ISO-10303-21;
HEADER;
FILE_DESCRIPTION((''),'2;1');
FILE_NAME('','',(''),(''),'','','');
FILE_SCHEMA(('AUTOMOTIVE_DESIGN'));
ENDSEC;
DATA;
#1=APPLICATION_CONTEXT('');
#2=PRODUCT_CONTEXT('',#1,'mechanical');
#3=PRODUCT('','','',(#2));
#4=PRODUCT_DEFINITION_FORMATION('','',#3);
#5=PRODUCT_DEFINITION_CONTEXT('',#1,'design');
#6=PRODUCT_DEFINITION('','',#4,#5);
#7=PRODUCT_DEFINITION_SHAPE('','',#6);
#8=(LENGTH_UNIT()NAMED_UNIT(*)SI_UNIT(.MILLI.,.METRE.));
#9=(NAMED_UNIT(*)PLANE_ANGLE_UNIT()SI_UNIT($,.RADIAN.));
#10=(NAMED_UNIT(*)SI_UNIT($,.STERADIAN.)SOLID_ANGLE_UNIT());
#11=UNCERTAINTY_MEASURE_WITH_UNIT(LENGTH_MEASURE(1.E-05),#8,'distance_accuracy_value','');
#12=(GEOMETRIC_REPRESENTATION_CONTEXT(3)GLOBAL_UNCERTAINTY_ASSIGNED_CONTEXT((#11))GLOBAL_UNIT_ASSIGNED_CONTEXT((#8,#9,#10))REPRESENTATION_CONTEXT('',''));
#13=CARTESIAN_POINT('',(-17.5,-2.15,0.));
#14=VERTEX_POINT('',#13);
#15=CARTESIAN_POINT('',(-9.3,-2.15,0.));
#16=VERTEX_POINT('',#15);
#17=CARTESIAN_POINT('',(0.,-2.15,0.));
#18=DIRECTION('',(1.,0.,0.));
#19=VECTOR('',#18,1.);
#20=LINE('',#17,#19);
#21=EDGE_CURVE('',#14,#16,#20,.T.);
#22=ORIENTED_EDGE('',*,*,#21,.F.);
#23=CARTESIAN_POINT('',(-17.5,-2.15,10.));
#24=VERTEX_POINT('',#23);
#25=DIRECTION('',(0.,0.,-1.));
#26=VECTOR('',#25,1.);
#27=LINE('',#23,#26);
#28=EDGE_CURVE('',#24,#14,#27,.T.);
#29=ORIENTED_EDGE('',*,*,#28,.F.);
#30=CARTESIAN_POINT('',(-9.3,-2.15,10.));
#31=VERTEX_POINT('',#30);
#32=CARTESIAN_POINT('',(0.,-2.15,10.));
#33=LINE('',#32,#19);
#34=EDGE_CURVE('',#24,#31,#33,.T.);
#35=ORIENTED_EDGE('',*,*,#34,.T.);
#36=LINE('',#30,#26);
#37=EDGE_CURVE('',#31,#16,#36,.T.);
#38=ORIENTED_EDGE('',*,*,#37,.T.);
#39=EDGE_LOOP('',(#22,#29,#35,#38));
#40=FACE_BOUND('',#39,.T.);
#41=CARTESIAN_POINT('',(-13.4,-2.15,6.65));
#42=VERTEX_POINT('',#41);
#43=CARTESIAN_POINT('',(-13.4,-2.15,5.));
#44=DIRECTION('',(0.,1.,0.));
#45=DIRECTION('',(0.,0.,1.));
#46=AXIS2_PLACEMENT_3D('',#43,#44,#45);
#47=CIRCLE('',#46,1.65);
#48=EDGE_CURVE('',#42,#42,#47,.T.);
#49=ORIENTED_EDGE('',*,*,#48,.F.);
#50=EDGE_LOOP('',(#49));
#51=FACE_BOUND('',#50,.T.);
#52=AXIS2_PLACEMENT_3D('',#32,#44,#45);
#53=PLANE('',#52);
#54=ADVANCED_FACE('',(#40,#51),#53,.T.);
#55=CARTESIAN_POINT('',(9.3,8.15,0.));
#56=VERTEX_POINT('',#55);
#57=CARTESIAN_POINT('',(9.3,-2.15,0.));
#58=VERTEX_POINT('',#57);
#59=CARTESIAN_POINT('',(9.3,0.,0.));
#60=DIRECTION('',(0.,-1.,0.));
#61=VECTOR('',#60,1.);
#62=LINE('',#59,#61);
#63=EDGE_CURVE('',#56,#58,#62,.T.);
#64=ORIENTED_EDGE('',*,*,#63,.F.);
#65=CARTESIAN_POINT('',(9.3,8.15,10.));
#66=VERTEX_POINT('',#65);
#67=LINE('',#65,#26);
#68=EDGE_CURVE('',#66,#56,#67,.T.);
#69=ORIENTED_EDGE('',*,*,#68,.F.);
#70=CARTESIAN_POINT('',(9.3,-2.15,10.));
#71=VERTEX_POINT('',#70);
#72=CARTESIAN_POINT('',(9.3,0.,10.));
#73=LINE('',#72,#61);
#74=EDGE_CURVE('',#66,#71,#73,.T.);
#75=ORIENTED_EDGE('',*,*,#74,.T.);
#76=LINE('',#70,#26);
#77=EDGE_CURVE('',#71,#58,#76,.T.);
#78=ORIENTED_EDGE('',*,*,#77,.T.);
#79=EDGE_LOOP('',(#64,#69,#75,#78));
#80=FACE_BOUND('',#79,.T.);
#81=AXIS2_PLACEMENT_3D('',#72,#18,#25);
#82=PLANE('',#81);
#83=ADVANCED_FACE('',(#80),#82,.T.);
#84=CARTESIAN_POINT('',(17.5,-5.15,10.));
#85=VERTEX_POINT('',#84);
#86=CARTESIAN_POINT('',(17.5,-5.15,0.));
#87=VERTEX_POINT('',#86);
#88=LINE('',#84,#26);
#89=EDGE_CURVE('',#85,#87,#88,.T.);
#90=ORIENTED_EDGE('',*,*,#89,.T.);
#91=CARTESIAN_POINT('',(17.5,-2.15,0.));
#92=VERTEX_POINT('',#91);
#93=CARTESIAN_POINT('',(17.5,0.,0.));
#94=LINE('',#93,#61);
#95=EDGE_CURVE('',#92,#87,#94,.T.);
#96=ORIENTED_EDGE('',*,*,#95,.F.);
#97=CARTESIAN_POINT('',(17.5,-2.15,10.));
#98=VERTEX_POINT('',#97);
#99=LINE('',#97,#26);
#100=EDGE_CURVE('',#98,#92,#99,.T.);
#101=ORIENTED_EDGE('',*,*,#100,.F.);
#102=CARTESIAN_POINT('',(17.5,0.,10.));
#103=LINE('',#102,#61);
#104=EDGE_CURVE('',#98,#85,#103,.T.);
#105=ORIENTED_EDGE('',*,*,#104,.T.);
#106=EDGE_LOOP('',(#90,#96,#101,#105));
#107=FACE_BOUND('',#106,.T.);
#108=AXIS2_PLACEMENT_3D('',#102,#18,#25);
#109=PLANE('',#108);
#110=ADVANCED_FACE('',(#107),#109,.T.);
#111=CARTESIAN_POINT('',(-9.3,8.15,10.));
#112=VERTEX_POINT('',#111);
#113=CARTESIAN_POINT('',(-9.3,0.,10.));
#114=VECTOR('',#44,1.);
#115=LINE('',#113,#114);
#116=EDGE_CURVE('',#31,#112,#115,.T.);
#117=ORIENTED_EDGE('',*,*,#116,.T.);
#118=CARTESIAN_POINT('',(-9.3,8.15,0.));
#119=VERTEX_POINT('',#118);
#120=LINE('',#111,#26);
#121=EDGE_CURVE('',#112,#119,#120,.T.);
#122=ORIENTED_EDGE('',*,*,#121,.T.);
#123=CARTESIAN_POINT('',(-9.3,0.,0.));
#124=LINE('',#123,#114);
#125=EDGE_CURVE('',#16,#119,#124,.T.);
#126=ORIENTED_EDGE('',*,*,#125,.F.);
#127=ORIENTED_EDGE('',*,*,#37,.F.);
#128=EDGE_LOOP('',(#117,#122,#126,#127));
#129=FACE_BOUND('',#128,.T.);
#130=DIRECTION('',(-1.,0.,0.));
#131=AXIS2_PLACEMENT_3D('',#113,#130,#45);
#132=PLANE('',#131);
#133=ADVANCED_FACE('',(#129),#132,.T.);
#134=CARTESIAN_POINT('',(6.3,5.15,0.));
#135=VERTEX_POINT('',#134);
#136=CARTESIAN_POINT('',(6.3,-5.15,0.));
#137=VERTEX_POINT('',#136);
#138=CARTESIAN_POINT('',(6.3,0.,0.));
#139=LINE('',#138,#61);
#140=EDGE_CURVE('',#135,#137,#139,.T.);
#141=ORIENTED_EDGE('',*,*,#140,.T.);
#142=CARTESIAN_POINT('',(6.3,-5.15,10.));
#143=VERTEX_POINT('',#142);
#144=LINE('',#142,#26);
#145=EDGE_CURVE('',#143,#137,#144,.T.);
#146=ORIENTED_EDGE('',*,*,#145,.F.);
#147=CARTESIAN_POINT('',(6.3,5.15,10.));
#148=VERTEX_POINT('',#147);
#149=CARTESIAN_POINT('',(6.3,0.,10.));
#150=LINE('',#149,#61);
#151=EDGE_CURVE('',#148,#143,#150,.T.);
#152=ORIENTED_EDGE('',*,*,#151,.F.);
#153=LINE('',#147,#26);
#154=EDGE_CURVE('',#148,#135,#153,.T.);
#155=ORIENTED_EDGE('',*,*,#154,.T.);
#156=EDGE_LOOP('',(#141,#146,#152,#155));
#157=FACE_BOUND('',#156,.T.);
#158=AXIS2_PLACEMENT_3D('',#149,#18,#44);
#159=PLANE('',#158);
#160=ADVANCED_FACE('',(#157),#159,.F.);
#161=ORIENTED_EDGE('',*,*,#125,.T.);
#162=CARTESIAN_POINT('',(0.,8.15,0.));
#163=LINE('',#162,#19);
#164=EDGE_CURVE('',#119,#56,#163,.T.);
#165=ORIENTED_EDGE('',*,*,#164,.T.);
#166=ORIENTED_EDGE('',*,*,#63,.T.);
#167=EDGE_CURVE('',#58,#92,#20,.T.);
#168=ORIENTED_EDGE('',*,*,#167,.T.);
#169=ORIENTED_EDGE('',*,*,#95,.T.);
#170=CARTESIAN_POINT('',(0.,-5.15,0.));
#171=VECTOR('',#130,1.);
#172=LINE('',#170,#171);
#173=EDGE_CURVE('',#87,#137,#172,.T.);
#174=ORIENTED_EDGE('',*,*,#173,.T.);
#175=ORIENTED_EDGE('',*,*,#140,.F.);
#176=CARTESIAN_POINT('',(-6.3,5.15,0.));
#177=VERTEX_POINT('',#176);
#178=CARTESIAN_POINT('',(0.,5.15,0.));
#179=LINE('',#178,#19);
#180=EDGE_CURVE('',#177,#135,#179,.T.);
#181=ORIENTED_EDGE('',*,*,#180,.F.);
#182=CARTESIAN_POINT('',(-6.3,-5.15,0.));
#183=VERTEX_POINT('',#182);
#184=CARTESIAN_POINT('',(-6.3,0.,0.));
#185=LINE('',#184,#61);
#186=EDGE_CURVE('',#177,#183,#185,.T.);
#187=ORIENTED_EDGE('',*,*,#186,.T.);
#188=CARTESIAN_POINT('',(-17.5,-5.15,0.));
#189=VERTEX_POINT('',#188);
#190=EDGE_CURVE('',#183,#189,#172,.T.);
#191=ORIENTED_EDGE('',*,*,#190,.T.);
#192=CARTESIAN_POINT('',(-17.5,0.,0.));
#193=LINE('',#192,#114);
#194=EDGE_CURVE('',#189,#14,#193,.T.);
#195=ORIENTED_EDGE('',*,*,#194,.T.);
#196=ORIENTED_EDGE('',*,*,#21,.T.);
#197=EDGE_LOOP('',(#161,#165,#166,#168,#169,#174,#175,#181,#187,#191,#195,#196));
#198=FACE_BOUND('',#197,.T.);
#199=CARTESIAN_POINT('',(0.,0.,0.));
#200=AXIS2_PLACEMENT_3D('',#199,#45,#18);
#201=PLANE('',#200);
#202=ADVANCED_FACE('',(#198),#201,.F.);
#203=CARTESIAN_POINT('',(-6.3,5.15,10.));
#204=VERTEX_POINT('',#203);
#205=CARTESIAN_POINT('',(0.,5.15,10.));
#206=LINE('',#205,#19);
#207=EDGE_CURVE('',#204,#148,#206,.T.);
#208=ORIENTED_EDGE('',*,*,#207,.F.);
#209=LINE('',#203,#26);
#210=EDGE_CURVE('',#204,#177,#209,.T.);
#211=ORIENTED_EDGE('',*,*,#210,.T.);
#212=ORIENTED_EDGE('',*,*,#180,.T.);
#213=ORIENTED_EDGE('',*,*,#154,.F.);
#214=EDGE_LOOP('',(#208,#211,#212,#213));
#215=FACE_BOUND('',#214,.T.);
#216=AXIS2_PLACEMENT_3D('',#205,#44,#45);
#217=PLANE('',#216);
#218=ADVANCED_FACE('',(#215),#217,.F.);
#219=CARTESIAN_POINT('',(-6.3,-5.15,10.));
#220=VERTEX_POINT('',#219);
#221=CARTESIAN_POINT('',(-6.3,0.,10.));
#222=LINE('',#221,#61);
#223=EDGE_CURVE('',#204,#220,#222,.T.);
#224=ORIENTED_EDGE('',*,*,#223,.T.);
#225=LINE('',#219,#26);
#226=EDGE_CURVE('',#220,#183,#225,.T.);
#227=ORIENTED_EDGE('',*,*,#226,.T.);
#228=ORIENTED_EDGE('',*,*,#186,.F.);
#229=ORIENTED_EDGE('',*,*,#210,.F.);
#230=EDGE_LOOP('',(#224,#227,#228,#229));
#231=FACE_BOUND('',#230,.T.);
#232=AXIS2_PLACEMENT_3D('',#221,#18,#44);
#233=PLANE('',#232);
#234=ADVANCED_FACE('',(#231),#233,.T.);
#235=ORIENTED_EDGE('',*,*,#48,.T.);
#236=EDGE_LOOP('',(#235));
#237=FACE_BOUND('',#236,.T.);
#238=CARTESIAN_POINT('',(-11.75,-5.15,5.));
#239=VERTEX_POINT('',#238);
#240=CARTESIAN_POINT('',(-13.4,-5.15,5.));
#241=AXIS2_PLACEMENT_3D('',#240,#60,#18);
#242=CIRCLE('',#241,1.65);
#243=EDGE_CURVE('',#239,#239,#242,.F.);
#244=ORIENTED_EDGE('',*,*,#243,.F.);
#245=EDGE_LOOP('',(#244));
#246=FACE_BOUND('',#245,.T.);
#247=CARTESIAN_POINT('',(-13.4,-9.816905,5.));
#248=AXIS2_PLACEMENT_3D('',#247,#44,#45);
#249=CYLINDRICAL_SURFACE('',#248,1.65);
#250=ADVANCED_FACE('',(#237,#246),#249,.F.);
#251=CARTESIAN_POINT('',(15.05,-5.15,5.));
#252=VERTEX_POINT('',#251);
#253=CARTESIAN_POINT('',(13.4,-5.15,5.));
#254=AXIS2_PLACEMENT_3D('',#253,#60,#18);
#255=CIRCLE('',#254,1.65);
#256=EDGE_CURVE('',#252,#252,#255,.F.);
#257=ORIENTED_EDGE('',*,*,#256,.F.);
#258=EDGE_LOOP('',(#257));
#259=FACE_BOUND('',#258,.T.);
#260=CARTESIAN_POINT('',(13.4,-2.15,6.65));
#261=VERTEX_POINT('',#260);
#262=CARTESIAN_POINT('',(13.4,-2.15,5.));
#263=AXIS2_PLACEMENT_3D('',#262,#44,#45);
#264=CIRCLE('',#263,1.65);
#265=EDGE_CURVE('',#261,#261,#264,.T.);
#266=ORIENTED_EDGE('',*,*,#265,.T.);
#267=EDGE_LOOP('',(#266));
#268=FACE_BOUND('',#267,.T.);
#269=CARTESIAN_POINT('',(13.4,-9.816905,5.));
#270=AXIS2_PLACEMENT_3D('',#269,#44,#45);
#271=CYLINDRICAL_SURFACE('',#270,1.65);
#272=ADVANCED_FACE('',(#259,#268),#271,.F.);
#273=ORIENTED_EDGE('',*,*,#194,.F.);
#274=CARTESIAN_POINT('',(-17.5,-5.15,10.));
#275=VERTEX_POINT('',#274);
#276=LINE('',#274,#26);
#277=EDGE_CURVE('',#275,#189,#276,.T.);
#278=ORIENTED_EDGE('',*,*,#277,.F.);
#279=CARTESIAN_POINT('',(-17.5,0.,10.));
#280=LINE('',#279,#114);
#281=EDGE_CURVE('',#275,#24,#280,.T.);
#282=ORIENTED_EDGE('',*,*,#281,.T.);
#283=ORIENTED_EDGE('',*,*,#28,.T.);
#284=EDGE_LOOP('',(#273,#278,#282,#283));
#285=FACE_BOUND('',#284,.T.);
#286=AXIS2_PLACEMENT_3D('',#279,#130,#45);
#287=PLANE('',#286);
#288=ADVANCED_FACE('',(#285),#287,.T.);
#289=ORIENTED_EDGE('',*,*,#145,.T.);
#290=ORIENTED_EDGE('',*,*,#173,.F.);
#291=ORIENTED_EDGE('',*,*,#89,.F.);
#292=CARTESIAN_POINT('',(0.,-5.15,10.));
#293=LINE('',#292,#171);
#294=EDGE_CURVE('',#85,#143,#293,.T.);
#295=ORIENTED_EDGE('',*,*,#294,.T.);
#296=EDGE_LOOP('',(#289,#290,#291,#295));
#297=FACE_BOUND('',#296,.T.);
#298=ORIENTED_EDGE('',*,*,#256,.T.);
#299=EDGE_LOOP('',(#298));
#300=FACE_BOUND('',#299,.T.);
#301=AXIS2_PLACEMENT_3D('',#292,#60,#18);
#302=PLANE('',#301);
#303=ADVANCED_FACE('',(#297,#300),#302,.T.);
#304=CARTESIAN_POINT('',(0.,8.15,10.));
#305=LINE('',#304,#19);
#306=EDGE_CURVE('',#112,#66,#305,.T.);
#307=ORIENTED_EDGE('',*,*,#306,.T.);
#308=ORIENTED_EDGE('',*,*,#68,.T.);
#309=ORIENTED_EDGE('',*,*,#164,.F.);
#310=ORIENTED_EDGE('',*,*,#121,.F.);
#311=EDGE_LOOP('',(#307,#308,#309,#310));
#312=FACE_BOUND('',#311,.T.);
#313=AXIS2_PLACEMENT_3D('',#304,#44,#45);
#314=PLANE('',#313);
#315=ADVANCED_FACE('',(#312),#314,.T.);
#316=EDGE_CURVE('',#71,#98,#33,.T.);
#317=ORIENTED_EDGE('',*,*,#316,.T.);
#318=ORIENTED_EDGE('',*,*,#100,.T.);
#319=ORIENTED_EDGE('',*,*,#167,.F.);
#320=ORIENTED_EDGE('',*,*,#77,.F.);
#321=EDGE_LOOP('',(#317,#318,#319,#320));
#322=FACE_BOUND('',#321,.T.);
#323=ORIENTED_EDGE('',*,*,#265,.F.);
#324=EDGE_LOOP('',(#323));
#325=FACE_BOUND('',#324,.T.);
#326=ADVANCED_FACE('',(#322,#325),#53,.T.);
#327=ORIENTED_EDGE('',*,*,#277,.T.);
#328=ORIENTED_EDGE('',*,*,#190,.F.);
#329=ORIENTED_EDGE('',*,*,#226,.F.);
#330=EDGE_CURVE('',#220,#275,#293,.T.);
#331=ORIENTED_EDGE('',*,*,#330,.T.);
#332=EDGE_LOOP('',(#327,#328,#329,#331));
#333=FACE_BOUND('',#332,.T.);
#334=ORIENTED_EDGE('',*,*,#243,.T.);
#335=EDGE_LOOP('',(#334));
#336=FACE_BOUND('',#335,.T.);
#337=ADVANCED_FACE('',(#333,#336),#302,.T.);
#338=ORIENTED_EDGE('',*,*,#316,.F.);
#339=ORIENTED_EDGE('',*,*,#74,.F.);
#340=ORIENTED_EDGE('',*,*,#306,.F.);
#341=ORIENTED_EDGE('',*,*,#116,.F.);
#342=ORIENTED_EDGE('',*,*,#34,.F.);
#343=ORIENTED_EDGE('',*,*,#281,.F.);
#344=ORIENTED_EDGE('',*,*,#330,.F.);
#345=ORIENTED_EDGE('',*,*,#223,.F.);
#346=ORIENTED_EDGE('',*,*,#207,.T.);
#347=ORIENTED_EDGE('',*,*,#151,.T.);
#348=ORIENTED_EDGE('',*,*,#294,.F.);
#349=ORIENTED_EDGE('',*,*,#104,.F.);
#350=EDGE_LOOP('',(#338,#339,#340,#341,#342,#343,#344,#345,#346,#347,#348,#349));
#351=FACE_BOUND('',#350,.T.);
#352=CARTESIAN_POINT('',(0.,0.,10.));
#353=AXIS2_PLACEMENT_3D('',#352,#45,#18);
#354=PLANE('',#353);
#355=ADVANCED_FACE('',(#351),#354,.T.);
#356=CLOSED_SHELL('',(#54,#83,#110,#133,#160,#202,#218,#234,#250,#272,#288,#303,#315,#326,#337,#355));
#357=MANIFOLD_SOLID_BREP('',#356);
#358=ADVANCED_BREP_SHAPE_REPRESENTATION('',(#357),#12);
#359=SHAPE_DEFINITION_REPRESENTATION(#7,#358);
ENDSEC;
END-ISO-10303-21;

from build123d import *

# Parameters (mm, degrees)
BOSS_EXTRUDE1_DEPTH = 10
SKETCH2_R           = 1.65
CUT_EXTRUDE1_DEPTH  = 3


with BuildPart() as part:
    # Sketch1 → Boss-Extrude1 (new body)
    with BuildSketch(Plane.XY):
        Polygon((17.5, -5.15), (6.3, -5.15), (6.3, 5.15), (-6.3, 5.15), (-6.3, -5.15), (-17.5, -5.15), (-17.5, -2.15), (-9.3, -2.15), (-9.3, 8.15), (9.3, 8.15), (9.3, -2.15), (17.5, -2.15), align=None)
    extrude(amount=BOSS_EXTRUDE1_DEPTH)

    # Sketch2 → Cut-Extrude1 (cut)
    with BuildSketch(Plane(origin=(0, -2.15, 0), x_dir=(1, 0, 0), z_dir=(0, 1, 0))):
        with Locations(Location((13.4, -5, 0), (0, 0, 270))):
            Circle(SKETCH2_R)
        with Locations(Location((-13.4, -5, 0), (0, 0, 270))):
            Circle(SKETCH2_R)
    extrude(amount=-CUT_EXTRUDE1_DEPTH, mode=Mode.SUBTRACT)


solid = part.part
